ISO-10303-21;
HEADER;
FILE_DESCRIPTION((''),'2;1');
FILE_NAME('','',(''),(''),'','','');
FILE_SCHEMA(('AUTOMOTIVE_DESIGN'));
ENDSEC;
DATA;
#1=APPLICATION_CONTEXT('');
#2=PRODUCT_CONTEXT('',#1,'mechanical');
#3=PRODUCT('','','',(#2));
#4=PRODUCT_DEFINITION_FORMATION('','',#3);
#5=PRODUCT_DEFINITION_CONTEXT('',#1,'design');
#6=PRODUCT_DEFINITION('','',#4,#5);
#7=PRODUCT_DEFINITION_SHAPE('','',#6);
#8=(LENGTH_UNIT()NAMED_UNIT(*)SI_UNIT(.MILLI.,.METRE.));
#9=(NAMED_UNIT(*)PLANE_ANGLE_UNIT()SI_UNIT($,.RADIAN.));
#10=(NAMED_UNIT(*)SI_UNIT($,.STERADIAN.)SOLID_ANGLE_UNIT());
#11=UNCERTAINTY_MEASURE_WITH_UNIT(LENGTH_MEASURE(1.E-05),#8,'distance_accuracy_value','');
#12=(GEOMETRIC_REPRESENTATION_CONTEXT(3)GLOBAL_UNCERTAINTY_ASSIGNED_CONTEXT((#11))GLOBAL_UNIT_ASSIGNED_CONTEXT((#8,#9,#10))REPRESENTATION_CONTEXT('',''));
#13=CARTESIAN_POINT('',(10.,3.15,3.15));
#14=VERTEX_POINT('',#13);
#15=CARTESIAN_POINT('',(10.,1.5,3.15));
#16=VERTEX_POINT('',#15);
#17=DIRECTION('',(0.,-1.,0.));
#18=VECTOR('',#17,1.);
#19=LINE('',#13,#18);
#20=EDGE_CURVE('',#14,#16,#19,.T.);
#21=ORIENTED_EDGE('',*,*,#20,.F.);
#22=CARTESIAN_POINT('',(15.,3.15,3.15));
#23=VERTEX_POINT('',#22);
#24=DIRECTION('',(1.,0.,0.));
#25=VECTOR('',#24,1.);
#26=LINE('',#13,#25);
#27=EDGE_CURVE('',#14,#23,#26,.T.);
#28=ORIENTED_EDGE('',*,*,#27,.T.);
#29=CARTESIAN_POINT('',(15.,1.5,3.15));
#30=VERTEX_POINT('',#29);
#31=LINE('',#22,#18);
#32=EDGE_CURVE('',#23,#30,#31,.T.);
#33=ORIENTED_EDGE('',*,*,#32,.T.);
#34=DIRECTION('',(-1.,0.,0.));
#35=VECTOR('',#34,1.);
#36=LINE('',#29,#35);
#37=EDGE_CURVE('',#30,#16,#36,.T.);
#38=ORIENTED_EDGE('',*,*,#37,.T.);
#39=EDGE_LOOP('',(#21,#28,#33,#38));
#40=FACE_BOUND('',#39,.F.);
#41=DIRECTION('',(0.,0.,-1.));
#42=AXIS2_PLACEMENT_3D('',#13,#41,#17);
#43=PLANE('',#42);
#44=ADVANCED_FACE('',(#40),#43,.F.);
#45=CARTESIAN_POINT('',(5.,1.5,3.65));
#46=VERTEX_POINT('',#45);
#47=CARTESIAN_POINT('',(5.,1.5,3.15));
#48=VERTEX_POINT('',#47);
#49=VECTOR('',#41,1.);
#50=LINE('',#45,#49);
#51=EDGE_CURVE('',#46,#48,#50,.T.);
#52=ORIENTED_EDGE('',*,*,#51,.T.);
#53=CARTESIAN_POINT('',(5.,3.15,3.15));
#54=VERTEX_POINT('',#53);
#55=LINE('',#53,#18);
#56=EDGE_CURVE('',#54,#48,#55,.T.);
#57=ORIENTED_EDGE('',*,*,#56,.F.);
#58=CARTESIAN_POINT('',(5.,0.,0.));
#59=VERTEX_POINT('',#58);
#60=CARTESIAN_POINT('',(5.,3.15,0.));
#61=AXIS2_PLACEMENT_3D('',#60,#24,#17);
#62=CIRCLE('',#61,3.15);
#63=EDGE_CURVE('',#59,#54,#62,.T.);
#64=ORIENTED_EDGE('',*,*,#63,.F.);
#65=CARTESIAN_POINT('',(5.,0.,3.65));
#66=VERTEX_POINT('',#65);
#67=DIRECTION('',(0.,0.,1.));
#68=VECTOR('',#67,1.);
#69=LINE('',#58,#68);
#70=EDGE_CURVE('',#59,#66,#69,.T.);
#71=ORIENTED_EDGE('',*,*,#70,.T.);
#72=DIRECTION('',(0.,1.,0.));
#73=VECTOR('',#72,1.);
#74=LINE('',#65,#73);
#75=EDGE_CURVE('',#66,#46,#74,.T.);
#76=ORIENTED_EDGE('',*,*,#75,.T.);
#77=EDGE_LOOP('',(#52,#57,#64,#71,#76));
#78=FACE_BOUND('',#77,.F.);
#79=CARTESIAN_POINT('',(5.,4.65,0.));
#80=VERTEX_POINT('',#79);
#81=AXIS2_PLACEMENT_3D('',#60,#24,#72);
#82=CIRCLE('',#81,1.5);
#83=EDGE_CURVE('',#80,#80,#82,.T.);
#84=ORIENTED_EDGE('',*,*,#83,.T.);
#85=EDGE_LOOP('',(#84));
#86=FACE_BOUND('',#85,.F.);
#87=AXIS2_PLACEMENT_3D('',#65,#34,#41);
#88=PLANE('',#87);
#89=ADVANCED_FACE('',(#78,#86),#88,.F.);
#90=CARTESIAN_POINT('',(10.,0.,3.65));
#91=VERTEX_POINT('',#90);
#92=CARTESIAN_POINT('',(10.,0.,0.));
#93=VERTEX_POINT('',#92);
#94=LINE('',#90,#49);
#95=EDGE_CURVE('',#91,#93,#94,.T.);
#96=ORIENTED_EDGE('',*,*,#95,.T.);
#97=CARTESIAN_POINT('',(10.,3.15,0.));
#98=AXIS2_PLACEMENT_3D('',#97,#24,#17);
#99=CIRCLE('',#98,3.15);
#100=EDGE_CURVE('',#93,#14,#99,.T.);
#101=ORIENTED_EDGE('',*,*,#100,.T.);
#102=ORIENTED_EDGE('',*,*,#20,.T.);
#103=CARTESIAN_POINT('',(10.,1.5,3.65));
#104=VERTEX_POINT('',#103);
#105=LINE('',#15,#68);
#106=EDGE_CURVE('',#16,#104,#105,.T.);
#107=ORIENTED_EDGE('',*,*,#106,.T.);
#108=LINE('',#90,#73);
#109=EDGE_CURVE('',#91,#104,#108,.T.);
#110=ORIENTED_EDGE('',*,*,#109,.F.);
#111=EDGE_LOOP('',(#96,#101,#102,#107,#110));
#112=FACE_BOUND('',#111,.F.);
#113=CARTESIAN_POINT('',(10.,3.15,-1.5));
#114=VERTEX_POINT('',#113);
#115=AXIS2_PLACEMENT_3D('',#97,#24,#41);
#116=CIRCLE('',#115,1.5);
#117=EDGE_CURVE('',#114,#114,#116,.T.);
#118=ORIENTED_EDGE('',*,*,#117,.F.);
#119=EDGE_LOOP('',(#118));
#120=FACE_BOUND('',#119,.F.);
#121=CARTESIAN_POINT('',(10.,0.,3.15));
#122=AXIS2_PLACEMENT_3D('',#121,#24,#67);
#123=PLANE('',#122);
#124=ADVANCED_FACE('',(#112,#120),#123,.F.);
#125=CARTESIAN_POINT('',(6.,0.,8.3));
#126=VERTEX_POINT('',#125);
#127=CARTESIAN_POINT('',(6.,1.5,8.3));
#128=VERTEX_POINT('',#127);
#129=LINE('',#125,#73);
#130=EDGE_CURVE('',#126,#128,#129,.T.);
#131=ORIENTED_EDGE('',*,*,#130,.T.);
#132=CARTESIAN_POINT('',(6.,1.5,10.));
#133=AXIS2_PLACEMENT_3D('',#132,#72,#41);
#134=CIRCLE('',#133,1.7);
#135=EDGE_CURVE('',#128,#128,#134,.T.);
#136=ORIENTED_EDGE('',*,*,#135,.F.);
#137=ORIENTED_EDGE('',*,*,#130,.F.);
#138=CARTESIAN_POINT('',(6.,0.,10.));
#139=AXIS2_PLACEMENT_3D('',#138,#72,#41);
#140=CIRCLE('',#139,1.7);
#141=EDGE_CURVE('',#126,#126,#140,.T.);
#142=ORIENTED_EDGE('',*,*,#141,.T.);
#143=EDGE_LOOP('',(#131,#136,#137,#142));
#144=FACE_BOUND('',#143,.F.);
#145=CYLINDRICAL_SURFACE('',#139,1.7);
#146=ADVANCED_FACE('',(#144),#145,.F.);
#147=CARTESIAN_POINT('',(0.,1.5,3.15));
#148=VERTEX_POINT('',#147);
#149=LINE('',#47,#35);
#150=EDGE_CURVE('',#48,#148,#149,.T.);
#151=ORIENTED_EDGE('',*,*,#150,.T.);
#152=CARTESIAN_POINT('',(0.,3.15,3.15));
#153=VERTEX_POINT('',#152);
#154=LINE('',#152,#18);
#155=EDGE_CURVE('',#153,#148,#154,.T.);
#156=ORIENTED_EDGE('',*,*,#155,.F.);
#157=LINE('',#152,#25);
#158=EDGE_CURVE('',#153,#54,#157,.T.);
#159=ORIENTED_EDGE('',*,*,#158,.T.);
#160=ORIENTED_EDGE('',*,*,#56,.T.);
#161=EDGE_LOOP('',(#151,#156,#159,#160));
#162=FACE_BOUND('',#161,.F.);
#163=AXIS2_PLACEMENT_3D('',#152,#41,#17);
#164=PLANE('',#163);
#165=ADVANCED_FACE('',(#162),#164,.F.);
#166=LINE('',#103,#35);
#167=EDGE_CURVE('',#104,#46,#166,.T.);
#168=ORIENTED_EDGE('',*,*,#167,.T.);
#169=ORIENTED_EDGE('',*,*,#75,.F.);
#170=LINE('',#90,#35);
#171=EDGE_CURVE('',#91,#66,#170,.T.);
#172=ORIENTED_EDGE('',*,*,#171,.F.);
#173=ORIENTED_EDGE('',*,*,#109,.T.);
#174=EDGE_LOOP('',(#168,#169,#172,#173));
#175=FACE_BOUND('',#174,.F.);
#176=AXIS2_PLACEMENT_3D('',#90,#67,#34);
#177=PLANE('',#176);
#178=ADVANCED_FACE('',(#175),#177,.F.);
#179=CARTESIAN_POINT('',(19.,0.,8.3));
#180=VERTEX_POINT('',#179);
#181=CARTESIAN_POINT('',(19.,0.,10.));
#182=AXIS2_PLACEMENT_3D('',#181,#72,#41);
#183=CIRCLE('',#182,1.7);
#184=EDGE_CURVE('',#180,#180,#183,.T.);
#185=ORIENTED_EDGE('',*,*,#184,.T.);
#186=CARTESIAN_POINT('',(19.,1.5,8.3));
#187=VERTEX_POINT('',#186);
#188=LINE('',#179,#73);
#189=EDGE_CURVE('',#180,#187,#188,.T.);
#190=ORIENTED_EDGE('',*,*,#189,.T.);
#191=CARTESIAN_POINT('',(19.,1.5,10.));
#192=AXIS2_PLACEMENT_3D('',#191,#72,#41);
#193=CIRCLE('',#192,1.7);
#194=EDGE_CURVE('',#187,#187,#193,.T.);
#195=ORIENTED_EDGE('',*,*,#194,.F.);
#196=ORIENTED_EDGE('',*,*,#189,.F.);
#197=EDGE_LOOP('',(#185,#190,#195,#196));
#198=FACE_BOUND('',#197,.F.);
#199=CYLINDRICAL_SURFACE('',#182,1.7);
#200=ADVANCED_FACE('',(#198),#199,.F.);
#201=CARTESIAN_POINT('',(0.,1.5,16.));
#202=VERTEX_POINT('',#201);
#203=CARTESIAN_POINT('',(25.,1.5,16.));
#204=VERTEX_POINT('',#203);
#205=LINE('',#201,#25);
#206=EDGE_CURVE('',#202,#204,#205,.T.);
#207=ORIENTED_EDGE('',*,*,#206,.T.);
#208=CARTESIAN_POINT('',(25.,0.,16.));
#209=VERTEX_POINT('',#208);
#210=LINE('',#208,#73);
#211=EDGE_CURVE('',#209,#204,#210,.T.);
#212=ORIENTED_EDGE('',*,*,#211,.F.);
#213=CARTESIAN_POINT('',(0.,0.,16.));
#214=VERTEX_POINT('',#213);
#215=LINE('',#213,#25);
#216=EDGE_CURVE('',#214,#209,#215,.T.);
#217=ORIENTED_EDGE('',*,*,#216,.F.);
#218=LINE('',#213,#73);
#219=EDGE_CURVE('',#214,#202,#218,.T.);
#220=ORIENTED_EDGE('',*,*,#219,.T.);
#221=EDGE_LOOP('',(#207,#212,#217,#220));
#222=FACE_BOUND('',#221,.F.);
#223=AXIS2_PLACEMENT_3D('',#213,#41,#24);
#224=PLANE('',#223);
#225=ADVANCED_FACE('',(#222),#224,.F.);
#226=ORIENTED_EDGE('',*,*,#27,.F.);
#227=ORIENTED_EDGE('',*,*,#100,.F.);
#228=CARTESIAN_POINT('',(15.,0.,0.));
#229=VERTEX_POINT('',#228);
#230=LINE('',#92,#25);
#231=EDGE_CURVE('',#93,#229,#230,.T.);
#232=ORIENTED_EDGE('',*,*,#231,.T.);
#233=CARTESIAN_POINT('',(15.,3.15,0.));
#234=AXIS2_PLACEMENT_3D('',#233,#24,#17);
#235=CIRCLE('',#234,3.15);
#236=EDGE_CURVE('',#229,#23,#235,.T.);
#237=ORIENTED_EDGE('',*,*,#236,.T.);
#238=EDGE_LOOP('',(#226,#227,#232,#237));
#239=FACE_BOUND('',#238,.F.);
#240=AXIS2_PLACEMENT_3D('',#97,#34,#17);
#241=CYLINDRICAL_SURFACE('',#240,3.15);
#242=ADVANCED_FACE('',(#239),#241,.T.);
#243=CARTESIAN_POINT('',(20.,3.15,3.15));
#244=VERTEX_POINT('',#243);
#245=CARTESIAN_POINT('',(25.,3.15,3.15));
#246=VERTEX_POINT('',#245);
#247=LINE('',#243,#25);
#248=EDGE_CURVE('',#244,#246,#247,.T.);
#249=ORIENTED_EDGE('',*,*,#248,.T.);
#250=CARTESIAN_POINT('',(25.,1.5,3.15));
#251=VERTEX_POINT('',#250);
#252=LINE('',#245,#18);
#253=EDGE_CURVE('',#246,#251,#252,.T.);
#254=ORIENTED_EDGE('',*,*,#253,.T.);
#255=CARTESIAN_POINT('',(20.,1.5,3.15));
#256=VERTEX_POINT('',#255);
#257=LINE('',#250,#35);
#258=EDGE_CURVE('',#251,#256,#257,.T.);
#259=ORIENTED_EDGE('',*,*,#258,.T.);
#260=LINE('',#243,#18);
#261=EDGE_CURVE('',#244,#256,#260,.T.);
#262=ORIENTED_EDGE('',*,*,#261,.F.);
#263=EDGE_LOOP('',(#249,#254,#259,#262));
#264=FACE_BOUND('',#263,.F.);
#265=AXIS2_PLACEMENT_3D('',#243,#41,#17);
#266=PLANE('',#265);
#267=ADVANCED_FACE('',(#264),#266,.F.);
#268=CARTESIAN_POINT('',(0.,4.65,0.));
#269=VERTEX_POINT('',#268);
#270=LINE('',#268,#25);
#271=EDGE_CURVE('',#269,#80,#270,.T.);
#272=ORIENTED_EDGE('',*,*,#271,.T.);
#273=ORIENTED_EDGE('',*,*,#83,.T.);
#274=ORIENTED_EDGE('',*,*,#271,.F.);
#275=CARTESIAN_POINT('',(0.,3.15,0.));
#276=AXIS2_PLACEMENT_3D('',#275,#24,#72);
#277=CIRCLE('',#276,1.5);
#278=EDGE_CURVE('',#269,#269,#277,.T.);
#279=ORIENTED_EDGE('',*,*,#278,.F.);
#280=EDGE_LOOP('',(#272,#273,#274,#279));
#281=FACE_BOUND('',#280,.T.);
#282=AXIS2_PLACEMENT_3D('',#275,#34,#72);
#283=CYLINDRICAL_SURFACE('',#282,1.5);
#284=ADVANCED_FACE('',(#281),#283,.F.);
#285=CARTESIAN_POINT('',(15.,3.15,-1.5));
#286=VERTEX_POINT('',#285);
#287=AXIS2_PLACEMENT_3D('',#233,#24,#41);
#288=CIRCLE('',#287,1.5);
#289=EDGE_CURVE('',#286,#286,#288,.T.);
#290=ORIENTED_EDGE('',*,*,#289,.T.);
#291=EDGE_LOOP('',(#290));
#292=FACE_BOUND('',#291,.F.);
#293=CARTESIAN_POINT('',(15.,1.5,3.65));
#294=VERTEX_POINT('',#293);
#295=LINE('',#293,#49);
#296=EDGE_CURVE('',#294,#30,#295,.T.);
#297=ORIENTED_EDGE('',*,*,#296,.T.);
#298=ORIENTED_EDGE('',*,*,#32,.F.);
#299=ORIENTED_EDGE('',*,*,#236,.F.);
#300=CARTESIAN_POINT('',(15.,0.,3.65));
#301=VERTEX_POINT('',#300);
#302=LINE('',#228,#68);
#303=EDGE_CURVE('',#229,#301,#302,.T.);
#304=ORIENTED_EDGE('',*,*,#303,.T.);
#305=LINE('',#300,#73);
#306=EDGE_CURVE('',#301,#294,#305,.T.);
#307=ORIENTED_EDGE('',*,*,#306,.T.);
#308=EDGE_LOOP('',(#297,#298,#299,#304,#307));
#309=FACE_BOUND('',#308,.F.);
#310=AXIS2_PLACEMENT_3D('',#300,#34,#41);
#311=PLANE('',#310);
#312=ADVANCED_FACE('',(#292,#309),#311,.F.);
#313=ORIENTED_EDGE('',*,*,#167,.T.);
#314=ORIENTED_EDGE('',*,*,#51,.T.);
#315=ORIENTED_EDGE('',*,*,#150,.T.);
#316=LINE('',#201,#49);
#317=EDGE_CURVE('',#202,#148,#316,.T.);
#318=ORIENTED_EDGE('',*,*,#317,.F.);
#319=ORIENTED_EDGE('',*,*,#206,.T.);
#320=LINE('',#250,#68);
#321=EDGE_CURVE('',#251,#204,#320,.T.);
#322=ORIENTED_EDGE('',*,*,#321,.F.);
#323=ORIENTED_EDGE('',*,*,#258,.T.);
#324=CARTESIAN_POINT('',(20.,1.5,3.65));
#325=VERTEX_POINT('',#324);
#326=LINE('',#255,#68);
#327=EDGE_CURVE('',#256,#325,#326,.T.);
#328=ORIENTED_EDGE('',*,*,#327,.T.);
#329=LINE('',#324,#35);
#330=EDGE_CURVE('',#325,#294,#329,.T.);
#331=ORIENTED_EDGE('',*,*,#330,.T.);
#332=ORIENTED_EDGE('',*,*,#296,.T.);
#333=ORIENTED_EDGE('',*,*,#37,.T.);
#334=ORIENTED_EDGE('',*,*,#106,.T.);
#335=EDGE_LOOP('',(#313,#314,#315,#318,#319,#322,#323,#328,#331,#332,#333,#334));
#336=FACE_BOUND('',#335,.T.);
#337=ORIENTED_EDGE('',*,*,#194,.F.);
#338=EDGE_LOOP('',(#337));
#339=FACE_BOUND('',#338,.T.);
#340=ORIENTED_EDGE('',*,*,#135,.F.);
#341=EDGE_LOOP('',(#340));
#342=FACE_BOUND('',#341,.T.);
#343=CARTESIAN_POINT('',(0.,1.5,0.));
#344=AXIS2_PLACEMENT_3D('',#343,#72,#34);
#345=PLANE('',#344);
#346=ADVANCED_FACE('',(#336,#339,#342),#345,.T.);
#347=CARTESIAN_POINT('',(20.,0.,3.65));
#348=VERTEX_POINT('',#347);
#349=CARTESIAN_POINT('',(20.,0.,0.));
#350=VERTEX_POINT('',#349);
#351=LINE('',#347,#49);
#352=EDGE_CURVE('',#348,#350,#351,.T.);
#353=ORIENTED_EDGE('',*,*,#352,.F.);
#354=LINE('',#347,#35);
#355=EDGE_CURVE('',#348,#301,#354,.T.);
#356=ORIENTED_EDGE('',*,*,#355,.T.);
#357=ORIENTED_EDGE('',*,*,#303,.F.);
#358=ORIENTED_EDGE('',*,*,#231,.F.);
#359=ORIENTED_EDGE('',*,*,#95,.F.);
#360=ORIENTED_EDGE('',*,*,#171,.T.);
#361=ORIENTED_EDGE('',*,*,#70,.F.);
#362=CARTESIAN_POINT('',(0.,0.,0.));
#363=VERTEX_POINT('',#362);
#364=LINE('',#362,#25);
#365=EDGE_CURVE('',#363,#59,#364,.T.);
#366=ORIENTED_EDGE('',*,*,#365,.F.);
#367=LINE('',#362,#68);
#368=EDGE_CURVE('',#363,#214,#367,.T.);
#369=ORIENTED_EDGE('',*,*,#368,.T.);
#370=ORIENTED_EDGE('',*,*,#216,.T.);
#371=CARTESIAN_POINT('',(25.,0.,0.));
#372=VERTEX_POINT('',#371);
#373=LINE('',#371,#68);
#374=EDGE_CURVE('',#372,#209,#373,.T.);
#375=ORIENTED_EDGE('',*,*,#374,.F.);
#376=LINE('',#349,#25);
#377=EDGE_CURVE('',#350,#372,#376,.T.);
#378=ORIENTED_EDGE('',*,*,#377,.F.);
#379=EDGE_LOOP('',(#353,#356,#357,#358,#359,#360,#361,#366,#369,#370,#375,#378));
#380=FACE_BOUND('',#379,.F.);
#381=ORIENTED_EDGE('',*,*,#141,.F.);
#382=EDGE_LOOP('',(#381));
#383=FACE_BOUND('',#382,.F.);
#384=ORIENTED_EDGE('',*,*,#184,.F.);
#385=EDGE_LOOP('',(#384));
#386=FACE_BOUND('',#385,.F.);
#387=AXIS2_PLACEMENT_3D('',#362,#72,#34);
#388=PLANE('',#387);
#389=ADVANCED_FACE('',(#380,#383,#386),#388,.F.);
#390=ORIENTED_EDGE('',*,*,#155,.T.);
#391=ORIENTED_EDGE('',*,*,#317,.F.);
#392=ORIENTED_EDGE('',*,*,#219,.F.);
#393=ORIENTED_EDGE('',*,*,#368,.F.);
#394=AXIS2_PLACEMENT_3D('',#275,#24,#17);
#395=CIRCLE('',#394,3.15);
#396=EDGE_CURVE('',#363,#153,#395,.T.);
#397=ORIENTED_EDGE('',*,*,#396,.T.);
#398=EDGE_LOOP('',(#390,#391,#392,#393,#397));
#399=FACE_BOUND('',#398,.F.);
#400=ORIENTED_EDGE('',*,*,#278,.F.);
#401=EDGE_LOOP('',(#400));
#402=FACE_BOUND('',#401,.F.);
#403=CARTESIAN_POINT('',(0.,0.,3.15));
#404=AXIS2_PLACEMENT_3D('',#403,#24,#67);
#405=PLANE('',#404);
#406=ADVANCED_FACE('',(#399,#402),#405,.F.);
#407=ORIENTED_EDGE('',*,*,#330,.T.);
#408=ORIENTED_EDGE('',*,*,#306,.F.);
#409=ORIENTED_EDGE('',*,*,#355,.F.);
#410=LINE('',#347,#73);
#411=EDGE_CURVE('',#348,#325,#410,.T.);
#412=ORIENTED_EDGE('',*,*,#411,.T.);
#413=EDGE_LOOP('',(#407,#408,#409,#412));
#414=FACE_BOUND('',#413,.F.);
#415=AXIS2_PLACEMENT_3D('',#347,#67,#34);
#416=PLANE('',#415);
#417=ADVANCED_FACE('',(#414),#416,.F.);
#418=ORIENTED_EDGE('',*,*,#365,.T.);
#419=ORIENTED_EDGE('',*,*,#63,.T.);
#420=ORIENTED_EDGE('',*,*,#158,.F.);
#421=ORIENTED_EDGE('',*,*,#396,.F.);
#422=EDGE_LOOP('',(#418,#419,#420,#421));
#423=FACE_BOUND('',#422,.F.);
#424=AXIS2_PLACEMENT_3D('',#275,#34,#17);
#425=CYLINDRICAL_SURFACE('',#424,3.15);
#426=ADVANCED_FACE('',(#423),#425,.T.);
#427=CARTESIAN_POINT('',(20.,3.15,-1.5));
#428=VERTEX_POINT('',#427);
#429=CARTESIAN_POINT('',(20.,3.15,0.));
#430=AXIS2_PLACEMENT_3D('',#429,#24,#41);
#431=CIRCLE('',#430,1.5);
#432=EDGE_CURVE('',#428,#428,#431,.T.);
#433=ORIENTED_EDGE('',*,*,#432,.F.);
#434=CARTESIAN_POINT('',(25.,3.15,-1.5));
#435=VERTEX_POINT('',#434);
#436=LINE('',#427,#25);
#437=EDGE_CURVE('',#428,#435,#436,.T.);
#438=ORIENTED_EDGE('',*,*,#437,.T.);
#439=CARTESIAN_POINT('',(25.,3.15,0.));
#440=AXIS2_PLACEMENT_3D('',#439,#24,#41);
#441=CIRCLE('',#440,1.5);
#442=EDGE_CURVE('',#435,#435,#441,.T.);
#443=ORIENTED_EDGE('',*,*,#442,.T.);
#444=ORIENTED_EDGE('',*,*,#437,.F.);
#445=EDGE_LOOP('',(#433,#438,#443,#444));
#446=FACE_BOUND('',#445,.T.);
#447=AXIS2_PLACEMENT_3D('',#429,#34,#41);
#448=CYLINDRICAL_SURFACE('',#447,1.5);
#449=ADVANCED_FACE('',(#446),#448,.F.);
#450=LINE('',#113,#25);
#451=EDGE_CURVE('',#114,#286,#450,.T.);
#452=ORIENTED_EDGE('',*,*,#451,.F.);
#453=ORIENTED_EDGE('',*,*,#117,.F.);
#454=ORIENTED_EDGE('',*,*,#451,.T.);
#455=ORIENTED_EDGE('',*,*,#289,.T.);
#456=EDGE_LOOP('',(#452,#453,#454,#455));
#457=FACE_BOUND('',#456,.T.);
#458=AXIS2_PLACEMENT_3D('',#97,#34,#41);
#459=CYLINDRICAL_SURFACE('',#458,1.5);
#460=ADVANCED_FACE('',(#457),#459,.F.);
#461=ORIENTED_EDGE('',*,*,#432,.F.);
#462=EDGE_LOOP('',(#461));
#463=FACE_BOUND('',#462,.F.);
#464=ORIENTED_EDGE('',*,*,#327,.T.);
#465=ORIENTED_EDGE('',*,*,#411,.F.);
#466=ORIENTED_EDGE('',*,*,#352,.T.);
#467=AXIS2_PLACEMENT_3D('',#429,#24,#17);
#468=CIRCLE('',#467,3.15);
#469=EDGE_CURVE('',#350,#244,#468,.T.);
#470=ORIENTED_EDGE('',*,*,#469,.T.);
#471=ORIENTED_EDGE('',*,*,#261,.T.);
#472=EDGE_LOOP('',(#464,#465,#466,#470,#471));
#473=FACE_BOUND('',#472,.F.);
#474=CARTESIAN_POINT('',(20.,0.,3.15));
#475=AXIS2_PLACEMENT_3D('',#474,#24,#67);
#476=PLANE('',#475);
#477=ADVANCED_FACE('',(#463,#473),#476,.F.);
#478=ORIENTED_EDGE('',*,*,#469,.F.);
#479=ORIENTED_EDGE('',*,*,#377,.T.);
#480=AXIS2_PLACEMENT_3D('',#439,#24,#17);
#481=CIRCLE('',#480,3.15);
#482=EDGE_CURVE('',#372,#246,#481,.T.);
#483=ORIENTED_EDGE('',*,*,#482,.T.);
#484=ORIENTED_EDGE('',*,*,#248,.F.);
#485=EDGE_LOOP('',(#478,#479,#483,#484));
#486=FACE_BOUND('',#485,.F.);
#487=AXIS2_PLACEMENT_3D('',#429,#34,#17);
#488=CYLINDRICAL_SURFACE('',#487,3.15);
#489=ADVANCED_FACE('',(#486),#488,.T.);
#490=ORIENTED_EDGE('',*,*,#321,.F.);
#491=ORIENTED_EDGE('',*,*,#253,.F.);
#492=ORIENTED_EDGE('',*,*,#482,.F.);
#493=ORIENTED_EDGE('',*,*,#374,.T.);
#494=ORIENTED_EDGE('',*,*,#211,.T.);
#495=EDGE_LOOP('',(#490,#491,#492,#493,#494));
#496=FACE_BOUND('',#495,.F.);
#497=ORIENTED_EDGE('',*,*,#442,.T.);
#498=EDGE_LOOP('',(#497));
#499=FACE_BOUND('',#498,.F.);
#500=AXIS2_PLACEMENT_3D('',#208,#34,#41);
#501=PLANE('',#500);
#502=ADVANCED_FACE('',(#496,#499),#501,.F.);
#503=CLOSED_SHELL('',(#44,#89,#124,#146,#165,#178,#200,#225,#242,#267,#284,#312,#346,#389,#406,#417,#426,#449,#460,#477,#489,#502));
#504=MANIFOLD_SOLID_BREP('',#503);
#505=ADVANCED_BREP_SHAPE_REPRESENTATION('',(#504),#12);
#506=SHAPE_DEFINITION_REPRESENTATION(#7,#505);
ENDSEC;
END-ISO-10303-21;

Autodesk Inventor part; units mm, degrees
sketch "Sketch_1" plane through (0, 0, 0) normal (0, 1, 0) x (-1, 0, 0)
  line L0 (0, 16) -> (-25, 16)
  line L1 (-25, 16) -> (-25, 3.15)
  line L2 (-25, 3.15) -> (-20, 3.15)
  line L3 (-20, 3.15) -> (-20, 3.65)
  line L4 (-20, 3.65) -> (-15, 3.65)
  line L5 (-15, 3.65) -> (-15, 3.15)
  line L6 (-15, 3.15) -> (-10, 3.15)
  line L7 (-10, 3.15) -> (-10, 3.65)
  line L8 (-10, 3.65) -> (-5, 3.65)
  line L9 (-5, 3.65) -> (-5, 3.15)
  line L10 (-5, 3.15) -> (0, 3.15)
  line L11 (0, 3.15) -> (0, 16)
extrude "Extrusion1" add sketch "Sketch_1" along normal blind 1.5
sketch "Sketch_2" plane through (0, 0, 0) normal (1, 0, 0) x (0, 1, 0)
  line L0 (1.5, 10.6667) -> (0, 10.6667)
  line L1 (0, 10.6667) -> (0, 0)
  arc A0 (0, 0) -> (3.15, 3.15) centre (3.15, 0) ccw
  line L2 (3.15, 3.15) -> (1.5, 3.15)
  line L3 (1.5, 3.15) -> (1.5, 10.6667)
  circle A1 centre (3.15, 0) radius 1.5
extrude "Extrusion2" add sketch "Sketch_2" along normal blind 5
sketch "Sketch_3" plane through (10, 0, 0) normal (1, 0, 0) x (0, 0, -1)
  line L0 (-10.6667, 1.5) -> (-10.6667, 0)
  line L1 (-10.6667, 0) -> (0, 0)
  arc A0 (0, 0) -> (-3.15, 3.15) centre (0, 3.15) ccw
  line L2 (-3.15, 3.15) -> (-3.15, 1.5)
  line L3 (-3.15, 1.5) -> (-10.6667, 1.5)
  circle A1 centre (0, 3.15) radius 1.5
extrude "Extrusion3" add sketch "Sketch_3" along normal blind 5
sketch "Sketch_4" plane through (20, 0, 0) normal (1, 0, 0) x (0, 0, -1)
  line L0 (-10.6667, 1.5) -> (-10.6667, 0)
  line L1 (-10.6667, 0) -> (0, 0)
  arc A0 (0, 0) -> (-3.15, 3.15) centre (0, 3.15) ccw
  line L2 (-3.15, 3.15) -> (-3.15, 1.5)
  line L3 (-3.15, 1.5) -> (-10.6667, 1.5)
  circle A1 centre (0, 3.15) radius 1.5
extrude "Extrusion4" add sketch "Sketch_4" along normal blind 5
sketch "Sketch5" plane through (0, 0, 0) normal (0, -1, 0) x (1, 0, 0)
  point P0 (6, 10)
hole "Hole1" at (6, 0, 10) direction (0, 1, 0) diameter 3.4 depth 2
sketch "Sketch6" plane through (0, 0, 0) normal (0, -1, 0) x (1, 0, 0)
  point P0 (19, 10)
hole "Hole2" at (19, 0, 10) direction (0, 1, 0) diameter 3.4 depth 2
ref_plane "2_XY" through (0, 3.15, 0) normal (1, 0, 0) x (0, 0, -1)
ref_plane "2_YZ" through (0, 3.15, 0) normal (0, 0, -1) x (0, 1, 0)
ref_plane "2_ZX" through (0, 3.15, 0) normal (0, 1, 0) x (1, 0, 0)
properties part number "2HHKS25" material "ステンレス鋼"
